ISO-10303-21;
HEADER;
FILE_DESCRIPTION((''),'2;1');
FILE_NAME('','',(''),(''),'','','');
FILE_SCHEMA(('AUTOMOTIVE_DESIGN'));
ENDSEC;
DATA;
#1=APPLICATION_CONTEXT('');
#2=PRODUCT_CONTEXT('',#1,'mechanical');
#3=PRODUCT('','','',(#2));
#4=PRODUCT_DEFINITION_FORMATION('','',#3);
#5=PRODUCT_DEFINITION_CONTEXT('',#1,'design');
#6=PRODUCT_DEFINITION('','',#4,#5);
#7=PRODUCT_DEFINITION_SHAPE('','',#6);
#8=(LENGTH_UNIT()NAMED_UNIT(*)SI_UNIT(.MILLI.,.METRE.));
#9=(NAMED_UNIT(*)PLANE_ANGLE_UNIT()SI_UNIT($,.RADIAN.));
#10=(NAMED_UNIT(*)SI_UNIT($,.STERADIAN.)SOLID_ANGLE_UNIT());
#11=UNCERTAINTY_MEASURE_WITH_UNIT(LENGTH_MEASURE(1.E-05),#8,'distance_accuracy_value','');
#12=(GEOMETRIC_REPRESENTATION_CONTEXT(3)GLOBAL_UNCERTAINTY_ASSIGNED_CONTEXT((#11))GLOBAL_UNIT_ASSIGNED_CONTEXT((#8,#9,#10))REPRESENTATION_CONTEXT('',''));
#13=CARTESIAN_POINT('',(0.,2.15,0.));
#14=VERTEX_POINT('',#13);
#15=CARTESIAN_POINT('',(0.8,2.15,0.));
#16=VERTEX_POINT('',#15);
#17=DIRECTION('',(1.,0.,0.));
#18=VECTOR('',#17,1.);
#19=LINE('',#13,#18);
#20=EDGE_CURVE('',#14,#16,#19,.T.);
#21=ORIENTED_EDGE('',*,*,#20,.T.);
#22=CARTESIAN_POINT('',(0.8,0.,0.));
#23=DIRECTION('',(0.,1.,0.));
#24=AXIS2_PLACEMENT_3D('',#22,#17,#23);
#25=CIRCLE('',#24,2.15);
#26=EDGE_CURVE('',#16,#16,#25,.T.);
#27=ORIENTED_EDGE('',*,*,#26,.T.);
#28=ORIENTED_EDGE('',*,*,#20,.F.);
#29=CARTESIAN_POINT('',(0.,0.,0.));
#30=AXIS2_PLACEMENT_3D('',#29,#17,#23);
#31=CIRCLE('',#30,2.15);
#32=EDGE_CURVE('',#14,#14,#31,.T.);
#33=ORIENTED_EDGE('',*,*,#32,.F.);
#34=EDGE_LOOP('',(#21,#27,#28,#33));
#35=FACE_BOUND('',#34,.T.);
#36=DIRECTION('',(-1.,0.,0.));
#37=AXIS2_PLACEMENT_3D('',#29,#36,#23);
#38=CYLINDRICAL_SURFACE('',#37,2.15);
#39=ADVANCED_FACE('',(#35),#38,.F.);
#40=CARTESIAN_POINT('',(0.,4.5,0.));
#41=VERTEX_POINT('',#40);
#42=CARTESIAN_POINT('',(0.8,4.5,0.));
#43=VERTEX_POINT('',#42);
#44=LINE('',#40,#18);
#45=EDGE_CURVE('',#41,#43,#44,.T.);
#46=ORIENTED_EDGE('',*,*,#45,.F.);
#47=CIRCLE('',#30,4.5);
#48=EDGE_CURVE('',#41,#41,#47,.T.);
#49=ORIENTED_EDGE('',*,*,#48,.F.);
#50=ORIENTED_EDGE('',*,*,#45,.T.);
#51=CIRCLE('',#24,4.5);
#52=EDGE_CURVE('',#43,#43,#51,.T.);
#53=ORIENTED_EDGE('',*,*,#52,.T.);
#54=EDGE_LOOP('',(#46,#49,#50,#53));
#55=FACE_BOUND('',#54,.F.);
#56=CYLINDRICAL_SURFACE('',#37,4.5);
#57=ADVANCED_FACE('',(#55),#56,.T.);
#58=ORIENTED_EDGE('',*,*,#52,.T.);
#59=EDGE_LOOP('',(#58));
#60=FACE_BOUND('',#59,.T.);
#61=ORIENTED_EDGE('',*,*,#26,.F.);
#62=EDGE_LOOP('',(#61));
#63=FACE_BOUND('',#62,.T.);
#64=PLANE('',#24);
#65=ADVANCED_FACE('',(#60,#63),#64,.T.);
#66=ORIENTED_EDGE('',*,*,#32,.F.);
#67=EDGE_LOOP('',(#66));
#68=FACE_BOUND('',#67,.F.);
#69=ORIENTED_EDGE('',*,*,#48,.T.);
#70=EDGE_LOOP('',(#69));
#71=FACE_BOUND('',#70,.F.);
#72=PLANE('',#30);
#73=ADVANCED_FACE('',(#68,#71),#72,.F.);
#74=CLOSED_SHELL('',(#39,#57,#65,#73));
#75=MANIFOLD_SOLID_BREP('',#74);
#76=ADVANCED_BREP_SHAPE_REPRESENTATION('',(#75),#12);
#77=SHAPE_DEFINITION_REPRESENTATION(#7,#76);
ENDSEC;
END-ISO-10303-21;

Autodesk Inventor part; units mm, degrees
ref_plane "YZ Plane" through (0, 0, 0) normal (1, 0, 0) x (0, 1, 0)
ref_plane "XZ Plane" through (0, 0, 0) normal (0, 1, 0) x (-1, 0, 0)
sketch "Sketch" plane through (0, 0, 0) normal (1, 0, 0) x (0, 1, 0)
  circle A0 centre (0, 0) radius 4.5
  circle A1 centre (0, 0) radius 2.15
  dimension "d0" = 4.3
  dimension "d1" = 9
extrude "Body" add sketch "Sketch" along normal blind 0.8
ref_plane "Work Plane1" through (0, 0, 0) normal (0, 0, 1) x (1, 0, 0)
equation "\"d0\" = SD1"
equation "\"d1\" = SD2"
equation "\"d2\" = SD"
equation "\"SD1\" = 4.3"
equation "\"SD2\" = 9"
equation "\"SD\" = 0.8"
equation "\"NND\" = 4"
properties part number "ISO 7089 - 4" material "Stainless Steel"
